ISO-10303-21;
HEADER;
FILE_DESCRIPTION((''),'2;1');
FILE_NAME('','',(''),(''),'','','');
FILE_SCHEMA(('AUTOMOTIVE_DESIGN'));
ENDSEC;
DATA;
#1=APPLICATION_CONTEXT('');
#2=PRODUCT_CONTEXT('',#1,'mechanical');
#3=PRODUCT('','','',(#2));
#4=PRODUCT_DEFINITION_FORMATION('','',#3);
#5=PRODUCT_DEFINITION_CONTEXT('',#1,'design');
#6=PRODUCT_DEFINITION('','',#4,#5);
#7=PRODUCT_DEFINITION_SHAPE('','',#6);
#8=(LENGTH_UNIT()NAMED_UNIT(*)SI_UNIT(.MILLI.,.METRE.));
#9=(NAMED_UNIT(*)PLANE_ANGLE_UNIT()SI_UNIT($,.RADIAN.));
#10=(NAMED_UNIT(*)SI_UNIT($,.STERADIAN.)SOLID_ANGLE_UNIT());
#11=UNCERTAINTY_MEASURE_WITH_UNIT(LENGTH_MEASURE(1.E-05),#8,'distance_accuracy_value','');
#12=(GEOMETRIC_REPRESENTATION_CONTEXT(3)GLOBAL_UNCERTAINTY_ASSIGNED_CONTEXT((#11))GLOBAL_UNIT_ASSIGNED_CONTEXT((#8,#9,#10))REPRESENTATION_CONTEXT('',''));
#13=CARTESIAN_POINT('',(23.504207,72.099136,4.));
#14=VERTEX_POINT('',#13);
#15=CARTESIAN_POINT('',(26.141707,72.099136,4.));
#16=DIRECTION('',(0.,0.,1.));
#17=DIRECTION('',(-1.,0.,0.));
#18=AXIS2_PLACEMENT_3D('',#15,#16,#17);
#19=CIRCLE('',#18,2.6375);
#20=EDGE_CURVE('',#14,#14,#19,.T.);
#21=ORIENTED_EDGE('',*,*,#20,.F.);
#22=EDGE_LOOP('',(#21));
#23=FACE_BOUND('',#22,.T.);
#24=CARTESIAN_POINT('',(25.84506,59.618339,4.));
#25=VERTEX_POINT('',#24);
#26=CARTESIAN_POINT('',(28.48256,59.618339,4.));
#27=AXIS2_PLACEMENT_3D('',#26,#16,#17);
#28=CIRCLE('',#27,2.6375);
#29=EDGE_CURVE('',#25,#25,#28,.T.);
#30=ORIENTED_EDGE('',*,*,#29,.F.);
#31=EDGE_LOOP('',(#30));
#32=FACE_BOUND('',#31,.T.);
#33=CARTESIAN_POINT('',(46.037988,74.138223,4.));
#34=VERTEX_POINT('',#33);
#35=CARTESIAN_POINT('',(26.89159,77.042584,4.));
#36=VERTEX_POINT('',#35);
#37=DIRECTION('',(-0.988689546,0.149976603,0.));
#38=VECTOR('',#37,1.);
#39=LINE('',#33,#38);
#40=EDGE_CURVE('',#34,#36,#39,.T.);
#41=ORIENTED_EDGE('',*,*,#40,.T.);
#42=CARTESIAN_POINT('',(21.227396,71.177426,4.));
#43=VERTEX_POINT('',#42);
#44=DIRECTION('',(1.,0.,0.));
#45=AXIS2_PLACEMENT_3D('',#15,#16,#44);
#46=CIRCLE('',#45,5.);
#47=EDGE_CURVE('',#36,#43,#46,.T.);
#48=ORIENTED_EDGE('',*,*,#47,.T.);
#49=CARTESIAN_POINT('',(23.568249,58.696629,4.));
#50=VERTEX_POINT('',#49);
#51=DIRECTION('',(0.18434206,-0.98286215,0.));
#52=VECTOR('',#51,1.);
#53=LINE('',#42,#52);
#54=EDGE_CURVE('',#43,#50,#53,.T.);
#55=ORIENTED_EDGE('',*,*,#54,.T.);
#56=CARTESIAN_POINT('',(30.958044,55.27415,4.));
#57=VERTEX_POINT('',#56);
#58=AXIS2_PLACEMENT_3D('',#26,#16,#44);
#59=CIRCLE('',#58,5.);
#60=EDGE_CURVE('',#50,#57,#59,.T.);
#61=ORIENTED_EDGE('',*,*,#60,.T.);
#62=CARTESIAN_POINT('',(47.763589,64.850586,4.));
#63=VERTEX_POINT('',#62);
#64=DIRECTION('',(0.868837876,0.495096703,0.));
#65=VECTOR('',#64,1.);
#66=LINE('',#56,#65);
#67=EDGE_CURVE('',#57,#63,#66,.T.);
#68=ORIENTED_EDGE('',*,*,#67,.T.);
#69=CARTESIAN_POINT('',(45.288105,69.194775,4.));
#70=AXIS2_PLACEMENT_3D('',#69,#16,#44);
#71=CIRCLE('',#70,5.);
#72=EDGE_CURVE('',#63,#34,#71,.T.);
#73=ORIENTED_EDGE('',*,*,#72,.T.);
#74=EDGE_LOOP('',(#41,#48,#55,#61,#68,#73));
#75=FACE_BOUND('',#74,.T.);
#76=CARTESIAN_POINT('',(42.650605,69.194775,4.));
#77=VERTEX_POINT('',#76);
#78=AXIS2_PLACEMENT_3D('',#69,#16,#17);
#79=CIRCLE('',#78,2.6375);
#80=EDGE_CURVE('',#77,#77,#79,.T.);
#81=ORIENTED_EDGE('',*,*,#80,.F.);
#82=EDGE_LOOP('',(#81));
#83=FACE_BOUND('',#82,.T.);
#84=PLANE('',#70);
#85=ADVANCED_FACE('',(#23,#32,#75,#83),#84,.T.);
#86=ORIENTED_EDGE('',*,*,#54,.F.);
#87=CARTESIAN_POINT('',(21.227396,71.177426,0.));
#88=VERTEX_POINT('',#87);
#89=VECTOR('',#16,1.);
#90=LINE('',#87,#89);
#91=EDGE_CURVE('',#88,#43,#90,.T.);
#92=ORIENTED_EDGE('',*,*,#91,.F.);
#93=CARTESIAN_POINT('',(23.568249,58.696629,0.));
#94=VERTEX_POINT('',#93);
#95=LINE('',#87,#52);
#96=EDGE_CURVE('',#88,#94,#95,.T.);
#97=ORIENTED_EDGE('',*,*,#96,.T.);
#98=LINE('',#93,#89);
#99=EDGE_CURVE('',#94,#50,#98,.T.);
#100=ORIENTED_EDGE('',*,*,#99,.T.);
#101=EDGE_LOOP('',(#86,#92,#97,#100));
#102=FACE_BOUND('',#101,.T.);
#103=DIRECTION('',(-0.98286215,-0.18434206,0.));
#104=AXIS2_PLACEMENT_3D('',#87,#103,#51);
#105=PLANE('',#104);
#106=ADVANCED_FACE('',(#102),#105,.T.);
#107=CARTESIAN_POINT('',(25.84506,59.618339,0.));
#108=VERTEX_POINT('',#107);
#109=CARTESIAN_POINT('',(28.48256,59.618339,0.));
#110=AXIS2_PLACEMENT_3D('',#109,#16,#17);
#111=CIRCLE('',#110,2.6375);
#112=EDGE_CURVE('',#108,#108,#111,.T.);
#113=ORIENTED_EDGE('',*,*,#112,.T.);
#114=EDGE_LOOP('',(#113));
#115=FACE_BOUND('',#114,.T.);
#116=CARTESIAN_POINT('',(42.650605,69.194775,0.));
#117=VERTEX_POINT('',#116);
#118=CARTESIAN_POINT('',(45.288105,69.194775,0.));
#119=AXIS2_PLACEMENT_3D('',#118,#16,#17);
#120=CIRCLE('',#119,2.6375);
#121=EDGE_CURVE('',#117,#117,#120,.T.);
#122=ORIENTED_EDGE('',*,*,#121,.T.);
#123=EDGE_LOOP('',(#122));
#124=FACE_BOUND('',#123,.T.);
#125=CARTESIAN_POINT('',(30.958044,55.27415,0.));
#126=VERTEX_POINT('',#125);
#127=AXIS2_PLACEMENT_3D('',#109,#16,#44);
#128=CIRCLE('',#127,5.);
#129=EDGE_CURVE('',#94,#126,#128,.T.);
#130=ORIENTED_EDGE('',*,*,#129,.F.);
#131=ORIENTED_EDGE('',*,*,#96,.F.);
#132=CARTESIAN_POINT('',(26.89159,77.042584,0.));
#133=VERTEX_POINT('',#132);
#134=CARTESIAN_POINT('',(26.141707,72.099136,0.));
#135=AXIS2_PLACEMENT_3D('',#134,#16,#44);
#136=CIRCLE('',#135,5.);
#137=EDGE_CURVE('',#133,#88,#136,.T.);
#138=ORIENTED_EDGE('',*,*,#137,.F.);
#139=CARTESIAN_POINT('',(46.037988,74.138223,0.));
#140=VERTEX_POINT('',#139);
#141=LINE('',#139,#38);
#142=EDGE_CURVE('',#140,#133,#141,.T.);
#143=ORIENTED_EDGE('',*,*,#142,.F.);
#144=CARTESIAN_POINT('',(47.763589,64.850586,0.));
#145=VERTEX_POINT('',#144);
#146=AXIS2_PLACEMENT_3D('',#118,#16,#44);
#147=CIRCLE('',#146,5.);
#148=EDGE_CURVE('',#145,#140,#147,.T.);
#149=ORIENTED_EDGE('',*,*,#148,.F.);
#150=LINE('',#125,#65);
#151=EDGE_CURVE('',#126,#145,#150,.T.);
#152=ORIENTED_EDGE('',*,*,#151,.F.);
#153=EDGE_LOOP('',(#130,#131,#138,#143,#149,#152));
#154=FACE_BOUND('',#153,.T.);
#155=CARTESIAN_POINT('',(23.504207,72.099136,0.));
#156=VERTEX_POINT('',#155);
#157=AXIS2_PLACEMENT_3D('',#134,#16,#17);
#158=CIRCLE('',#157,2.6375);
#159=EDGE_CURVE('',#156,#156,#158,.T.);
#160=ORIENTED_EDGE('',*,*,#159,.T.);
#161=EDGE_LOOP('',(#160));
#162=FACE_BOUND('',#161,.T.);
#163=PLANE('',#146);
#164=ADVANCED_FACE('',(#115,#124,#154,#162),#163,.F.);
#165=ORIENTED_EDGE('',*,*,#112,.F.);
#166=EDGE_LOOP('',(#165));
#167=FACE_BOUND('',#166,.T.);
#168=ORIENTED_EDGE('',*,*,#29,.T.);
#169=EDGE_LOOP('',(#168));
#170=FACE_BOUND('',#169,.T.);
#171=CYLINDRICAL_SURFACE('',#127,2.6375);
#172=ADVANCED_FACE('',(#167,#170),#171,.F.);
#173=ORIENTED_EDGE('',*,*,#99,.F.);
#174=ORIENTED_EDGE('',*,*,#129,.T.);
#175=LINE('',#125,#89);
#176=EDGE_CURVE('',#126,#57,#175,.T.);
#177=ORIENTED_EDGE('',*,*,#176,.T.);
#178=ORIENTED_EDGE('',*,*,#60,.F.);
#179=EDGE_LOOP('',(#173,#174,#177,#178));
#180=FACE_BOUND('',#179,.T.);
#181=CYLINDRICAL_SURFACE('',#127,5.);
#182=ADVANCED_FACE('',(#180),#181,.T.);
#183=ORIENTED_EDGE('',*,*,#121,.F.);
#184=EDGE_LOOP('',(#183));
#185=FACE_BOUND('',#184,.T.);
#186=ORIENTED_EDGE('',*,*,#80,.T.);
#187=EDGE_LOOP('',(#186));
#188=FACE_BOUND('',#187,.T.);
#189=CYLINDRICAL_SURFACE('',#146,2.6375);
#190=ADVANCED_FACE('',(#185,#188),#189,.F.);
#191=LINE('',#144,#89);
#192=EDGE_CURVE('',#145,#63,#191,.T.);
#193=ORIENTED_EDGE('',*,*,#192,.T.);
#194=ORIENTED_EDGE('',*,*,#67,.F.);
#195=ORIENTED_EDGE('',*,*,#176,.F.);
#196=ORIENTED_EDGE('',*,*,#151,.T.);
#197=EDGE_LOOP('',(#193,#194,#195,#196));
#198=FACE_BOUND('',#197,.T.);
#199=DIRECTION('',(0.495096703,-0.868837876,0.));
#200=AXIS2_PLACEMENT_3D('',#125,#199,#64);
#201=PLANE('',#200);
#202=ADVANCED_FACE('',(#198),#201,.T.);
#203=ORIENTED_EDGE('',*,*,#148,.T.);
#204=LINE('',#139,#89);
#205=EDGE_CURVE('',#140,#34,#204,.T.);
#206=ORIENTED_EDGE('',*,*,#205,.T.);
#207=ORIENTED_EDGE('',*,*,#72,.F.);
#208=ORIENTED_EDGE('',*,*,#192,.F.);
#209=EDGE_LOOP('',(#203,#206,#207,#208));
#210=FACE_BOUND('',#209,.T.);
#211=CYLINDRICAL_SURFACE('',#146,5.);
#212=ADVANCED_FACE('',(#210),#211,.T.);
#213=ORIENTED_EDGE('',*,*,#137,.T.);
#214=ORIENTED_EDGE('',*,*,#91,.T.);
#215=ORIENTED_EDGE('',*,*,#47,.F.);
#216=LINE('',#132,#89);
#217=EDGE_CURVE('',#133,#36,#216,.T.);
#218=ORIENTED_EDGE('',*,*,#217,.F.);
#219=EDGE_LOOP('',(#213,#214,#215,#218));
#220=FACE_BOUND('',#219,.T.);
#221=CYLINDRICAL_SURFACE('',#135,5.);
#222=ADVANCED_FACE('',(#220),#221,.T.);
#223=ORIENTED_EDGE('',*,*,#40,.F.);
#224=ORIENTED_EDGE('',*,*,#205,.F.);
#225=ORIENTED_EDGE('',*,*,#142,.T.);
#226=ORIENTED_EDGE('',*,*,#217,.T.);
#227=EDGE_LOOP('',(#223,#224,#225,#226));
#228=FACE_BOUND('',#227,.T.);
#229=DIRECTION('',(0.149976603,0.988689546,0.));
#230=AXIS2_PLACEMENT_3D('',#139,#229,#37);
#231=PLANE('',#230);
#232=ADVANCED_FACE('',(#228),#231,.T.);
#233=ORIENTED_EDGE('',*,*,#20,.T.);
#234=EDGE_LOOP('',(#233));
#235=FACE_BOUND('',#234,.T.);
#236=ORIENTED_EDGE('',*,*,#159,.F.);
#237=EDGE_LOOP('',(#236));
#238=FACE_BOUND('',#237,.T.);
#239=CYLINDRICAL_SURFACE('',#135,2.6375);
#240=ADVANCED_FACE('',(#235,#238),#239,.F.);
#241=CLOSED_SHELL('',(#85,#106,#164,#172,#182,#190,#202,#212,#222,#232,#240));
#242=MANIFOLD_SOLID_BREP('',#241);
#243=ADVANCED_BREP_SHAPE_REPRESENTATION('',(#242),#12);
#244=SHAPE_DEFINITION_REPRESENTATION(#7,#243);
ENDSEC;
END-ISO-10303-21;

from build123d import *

# Parameters (mm, degrees)
SKETCH1_R           = 2.6375
BOSS_EXTRUDE1_DEPTH = 4


with BuildPart() as part:
    # Sketch1 → Boss-Extrude1 (new body)
    with BuildSketch(Plane.XY.offset(4)):
        with BuildLine():
            Line((46.037988185, 74.138222759), (26.891590001, 77.042584155))
            ThreePointArc((26.891590001, 77.042584155), (22.54509271, 75.572516008), (21.227396241, 71.177426126))
            Line((21.227396241, 71.177426126), (23.568249259, 58.696629092))
            ThreePointArc((23.568249259, 58.696629092), (26.381296021, 55.081304051), (30.958043521, 55.274150009))
            Line((30.958043521, 55.274150009), (47.763588686, 64.850585648))
            ThreePointArc((47.763588686, 64.850585648), (50.20397723, 70.108121575), (46.037988185, 74.138222759))
        make_face()
        with Locations((45.288105172, 69.194775028)):
            Circle(SKETCH1_R, mode=Mode.SUBTRACT)
        with Locations((26.141706988, 72.099136424)):
            Circle(SKETCH1_R, mode=Mode.SUBTRACT)
        with Locations((28.482560007, 59.618339389)):
            Circle(SKETCH1_R, mode=Mode.SUBTRACT)
    extrude(amount=-BOSS_EXTRUDE1_DEPTH)


solid = part.part
